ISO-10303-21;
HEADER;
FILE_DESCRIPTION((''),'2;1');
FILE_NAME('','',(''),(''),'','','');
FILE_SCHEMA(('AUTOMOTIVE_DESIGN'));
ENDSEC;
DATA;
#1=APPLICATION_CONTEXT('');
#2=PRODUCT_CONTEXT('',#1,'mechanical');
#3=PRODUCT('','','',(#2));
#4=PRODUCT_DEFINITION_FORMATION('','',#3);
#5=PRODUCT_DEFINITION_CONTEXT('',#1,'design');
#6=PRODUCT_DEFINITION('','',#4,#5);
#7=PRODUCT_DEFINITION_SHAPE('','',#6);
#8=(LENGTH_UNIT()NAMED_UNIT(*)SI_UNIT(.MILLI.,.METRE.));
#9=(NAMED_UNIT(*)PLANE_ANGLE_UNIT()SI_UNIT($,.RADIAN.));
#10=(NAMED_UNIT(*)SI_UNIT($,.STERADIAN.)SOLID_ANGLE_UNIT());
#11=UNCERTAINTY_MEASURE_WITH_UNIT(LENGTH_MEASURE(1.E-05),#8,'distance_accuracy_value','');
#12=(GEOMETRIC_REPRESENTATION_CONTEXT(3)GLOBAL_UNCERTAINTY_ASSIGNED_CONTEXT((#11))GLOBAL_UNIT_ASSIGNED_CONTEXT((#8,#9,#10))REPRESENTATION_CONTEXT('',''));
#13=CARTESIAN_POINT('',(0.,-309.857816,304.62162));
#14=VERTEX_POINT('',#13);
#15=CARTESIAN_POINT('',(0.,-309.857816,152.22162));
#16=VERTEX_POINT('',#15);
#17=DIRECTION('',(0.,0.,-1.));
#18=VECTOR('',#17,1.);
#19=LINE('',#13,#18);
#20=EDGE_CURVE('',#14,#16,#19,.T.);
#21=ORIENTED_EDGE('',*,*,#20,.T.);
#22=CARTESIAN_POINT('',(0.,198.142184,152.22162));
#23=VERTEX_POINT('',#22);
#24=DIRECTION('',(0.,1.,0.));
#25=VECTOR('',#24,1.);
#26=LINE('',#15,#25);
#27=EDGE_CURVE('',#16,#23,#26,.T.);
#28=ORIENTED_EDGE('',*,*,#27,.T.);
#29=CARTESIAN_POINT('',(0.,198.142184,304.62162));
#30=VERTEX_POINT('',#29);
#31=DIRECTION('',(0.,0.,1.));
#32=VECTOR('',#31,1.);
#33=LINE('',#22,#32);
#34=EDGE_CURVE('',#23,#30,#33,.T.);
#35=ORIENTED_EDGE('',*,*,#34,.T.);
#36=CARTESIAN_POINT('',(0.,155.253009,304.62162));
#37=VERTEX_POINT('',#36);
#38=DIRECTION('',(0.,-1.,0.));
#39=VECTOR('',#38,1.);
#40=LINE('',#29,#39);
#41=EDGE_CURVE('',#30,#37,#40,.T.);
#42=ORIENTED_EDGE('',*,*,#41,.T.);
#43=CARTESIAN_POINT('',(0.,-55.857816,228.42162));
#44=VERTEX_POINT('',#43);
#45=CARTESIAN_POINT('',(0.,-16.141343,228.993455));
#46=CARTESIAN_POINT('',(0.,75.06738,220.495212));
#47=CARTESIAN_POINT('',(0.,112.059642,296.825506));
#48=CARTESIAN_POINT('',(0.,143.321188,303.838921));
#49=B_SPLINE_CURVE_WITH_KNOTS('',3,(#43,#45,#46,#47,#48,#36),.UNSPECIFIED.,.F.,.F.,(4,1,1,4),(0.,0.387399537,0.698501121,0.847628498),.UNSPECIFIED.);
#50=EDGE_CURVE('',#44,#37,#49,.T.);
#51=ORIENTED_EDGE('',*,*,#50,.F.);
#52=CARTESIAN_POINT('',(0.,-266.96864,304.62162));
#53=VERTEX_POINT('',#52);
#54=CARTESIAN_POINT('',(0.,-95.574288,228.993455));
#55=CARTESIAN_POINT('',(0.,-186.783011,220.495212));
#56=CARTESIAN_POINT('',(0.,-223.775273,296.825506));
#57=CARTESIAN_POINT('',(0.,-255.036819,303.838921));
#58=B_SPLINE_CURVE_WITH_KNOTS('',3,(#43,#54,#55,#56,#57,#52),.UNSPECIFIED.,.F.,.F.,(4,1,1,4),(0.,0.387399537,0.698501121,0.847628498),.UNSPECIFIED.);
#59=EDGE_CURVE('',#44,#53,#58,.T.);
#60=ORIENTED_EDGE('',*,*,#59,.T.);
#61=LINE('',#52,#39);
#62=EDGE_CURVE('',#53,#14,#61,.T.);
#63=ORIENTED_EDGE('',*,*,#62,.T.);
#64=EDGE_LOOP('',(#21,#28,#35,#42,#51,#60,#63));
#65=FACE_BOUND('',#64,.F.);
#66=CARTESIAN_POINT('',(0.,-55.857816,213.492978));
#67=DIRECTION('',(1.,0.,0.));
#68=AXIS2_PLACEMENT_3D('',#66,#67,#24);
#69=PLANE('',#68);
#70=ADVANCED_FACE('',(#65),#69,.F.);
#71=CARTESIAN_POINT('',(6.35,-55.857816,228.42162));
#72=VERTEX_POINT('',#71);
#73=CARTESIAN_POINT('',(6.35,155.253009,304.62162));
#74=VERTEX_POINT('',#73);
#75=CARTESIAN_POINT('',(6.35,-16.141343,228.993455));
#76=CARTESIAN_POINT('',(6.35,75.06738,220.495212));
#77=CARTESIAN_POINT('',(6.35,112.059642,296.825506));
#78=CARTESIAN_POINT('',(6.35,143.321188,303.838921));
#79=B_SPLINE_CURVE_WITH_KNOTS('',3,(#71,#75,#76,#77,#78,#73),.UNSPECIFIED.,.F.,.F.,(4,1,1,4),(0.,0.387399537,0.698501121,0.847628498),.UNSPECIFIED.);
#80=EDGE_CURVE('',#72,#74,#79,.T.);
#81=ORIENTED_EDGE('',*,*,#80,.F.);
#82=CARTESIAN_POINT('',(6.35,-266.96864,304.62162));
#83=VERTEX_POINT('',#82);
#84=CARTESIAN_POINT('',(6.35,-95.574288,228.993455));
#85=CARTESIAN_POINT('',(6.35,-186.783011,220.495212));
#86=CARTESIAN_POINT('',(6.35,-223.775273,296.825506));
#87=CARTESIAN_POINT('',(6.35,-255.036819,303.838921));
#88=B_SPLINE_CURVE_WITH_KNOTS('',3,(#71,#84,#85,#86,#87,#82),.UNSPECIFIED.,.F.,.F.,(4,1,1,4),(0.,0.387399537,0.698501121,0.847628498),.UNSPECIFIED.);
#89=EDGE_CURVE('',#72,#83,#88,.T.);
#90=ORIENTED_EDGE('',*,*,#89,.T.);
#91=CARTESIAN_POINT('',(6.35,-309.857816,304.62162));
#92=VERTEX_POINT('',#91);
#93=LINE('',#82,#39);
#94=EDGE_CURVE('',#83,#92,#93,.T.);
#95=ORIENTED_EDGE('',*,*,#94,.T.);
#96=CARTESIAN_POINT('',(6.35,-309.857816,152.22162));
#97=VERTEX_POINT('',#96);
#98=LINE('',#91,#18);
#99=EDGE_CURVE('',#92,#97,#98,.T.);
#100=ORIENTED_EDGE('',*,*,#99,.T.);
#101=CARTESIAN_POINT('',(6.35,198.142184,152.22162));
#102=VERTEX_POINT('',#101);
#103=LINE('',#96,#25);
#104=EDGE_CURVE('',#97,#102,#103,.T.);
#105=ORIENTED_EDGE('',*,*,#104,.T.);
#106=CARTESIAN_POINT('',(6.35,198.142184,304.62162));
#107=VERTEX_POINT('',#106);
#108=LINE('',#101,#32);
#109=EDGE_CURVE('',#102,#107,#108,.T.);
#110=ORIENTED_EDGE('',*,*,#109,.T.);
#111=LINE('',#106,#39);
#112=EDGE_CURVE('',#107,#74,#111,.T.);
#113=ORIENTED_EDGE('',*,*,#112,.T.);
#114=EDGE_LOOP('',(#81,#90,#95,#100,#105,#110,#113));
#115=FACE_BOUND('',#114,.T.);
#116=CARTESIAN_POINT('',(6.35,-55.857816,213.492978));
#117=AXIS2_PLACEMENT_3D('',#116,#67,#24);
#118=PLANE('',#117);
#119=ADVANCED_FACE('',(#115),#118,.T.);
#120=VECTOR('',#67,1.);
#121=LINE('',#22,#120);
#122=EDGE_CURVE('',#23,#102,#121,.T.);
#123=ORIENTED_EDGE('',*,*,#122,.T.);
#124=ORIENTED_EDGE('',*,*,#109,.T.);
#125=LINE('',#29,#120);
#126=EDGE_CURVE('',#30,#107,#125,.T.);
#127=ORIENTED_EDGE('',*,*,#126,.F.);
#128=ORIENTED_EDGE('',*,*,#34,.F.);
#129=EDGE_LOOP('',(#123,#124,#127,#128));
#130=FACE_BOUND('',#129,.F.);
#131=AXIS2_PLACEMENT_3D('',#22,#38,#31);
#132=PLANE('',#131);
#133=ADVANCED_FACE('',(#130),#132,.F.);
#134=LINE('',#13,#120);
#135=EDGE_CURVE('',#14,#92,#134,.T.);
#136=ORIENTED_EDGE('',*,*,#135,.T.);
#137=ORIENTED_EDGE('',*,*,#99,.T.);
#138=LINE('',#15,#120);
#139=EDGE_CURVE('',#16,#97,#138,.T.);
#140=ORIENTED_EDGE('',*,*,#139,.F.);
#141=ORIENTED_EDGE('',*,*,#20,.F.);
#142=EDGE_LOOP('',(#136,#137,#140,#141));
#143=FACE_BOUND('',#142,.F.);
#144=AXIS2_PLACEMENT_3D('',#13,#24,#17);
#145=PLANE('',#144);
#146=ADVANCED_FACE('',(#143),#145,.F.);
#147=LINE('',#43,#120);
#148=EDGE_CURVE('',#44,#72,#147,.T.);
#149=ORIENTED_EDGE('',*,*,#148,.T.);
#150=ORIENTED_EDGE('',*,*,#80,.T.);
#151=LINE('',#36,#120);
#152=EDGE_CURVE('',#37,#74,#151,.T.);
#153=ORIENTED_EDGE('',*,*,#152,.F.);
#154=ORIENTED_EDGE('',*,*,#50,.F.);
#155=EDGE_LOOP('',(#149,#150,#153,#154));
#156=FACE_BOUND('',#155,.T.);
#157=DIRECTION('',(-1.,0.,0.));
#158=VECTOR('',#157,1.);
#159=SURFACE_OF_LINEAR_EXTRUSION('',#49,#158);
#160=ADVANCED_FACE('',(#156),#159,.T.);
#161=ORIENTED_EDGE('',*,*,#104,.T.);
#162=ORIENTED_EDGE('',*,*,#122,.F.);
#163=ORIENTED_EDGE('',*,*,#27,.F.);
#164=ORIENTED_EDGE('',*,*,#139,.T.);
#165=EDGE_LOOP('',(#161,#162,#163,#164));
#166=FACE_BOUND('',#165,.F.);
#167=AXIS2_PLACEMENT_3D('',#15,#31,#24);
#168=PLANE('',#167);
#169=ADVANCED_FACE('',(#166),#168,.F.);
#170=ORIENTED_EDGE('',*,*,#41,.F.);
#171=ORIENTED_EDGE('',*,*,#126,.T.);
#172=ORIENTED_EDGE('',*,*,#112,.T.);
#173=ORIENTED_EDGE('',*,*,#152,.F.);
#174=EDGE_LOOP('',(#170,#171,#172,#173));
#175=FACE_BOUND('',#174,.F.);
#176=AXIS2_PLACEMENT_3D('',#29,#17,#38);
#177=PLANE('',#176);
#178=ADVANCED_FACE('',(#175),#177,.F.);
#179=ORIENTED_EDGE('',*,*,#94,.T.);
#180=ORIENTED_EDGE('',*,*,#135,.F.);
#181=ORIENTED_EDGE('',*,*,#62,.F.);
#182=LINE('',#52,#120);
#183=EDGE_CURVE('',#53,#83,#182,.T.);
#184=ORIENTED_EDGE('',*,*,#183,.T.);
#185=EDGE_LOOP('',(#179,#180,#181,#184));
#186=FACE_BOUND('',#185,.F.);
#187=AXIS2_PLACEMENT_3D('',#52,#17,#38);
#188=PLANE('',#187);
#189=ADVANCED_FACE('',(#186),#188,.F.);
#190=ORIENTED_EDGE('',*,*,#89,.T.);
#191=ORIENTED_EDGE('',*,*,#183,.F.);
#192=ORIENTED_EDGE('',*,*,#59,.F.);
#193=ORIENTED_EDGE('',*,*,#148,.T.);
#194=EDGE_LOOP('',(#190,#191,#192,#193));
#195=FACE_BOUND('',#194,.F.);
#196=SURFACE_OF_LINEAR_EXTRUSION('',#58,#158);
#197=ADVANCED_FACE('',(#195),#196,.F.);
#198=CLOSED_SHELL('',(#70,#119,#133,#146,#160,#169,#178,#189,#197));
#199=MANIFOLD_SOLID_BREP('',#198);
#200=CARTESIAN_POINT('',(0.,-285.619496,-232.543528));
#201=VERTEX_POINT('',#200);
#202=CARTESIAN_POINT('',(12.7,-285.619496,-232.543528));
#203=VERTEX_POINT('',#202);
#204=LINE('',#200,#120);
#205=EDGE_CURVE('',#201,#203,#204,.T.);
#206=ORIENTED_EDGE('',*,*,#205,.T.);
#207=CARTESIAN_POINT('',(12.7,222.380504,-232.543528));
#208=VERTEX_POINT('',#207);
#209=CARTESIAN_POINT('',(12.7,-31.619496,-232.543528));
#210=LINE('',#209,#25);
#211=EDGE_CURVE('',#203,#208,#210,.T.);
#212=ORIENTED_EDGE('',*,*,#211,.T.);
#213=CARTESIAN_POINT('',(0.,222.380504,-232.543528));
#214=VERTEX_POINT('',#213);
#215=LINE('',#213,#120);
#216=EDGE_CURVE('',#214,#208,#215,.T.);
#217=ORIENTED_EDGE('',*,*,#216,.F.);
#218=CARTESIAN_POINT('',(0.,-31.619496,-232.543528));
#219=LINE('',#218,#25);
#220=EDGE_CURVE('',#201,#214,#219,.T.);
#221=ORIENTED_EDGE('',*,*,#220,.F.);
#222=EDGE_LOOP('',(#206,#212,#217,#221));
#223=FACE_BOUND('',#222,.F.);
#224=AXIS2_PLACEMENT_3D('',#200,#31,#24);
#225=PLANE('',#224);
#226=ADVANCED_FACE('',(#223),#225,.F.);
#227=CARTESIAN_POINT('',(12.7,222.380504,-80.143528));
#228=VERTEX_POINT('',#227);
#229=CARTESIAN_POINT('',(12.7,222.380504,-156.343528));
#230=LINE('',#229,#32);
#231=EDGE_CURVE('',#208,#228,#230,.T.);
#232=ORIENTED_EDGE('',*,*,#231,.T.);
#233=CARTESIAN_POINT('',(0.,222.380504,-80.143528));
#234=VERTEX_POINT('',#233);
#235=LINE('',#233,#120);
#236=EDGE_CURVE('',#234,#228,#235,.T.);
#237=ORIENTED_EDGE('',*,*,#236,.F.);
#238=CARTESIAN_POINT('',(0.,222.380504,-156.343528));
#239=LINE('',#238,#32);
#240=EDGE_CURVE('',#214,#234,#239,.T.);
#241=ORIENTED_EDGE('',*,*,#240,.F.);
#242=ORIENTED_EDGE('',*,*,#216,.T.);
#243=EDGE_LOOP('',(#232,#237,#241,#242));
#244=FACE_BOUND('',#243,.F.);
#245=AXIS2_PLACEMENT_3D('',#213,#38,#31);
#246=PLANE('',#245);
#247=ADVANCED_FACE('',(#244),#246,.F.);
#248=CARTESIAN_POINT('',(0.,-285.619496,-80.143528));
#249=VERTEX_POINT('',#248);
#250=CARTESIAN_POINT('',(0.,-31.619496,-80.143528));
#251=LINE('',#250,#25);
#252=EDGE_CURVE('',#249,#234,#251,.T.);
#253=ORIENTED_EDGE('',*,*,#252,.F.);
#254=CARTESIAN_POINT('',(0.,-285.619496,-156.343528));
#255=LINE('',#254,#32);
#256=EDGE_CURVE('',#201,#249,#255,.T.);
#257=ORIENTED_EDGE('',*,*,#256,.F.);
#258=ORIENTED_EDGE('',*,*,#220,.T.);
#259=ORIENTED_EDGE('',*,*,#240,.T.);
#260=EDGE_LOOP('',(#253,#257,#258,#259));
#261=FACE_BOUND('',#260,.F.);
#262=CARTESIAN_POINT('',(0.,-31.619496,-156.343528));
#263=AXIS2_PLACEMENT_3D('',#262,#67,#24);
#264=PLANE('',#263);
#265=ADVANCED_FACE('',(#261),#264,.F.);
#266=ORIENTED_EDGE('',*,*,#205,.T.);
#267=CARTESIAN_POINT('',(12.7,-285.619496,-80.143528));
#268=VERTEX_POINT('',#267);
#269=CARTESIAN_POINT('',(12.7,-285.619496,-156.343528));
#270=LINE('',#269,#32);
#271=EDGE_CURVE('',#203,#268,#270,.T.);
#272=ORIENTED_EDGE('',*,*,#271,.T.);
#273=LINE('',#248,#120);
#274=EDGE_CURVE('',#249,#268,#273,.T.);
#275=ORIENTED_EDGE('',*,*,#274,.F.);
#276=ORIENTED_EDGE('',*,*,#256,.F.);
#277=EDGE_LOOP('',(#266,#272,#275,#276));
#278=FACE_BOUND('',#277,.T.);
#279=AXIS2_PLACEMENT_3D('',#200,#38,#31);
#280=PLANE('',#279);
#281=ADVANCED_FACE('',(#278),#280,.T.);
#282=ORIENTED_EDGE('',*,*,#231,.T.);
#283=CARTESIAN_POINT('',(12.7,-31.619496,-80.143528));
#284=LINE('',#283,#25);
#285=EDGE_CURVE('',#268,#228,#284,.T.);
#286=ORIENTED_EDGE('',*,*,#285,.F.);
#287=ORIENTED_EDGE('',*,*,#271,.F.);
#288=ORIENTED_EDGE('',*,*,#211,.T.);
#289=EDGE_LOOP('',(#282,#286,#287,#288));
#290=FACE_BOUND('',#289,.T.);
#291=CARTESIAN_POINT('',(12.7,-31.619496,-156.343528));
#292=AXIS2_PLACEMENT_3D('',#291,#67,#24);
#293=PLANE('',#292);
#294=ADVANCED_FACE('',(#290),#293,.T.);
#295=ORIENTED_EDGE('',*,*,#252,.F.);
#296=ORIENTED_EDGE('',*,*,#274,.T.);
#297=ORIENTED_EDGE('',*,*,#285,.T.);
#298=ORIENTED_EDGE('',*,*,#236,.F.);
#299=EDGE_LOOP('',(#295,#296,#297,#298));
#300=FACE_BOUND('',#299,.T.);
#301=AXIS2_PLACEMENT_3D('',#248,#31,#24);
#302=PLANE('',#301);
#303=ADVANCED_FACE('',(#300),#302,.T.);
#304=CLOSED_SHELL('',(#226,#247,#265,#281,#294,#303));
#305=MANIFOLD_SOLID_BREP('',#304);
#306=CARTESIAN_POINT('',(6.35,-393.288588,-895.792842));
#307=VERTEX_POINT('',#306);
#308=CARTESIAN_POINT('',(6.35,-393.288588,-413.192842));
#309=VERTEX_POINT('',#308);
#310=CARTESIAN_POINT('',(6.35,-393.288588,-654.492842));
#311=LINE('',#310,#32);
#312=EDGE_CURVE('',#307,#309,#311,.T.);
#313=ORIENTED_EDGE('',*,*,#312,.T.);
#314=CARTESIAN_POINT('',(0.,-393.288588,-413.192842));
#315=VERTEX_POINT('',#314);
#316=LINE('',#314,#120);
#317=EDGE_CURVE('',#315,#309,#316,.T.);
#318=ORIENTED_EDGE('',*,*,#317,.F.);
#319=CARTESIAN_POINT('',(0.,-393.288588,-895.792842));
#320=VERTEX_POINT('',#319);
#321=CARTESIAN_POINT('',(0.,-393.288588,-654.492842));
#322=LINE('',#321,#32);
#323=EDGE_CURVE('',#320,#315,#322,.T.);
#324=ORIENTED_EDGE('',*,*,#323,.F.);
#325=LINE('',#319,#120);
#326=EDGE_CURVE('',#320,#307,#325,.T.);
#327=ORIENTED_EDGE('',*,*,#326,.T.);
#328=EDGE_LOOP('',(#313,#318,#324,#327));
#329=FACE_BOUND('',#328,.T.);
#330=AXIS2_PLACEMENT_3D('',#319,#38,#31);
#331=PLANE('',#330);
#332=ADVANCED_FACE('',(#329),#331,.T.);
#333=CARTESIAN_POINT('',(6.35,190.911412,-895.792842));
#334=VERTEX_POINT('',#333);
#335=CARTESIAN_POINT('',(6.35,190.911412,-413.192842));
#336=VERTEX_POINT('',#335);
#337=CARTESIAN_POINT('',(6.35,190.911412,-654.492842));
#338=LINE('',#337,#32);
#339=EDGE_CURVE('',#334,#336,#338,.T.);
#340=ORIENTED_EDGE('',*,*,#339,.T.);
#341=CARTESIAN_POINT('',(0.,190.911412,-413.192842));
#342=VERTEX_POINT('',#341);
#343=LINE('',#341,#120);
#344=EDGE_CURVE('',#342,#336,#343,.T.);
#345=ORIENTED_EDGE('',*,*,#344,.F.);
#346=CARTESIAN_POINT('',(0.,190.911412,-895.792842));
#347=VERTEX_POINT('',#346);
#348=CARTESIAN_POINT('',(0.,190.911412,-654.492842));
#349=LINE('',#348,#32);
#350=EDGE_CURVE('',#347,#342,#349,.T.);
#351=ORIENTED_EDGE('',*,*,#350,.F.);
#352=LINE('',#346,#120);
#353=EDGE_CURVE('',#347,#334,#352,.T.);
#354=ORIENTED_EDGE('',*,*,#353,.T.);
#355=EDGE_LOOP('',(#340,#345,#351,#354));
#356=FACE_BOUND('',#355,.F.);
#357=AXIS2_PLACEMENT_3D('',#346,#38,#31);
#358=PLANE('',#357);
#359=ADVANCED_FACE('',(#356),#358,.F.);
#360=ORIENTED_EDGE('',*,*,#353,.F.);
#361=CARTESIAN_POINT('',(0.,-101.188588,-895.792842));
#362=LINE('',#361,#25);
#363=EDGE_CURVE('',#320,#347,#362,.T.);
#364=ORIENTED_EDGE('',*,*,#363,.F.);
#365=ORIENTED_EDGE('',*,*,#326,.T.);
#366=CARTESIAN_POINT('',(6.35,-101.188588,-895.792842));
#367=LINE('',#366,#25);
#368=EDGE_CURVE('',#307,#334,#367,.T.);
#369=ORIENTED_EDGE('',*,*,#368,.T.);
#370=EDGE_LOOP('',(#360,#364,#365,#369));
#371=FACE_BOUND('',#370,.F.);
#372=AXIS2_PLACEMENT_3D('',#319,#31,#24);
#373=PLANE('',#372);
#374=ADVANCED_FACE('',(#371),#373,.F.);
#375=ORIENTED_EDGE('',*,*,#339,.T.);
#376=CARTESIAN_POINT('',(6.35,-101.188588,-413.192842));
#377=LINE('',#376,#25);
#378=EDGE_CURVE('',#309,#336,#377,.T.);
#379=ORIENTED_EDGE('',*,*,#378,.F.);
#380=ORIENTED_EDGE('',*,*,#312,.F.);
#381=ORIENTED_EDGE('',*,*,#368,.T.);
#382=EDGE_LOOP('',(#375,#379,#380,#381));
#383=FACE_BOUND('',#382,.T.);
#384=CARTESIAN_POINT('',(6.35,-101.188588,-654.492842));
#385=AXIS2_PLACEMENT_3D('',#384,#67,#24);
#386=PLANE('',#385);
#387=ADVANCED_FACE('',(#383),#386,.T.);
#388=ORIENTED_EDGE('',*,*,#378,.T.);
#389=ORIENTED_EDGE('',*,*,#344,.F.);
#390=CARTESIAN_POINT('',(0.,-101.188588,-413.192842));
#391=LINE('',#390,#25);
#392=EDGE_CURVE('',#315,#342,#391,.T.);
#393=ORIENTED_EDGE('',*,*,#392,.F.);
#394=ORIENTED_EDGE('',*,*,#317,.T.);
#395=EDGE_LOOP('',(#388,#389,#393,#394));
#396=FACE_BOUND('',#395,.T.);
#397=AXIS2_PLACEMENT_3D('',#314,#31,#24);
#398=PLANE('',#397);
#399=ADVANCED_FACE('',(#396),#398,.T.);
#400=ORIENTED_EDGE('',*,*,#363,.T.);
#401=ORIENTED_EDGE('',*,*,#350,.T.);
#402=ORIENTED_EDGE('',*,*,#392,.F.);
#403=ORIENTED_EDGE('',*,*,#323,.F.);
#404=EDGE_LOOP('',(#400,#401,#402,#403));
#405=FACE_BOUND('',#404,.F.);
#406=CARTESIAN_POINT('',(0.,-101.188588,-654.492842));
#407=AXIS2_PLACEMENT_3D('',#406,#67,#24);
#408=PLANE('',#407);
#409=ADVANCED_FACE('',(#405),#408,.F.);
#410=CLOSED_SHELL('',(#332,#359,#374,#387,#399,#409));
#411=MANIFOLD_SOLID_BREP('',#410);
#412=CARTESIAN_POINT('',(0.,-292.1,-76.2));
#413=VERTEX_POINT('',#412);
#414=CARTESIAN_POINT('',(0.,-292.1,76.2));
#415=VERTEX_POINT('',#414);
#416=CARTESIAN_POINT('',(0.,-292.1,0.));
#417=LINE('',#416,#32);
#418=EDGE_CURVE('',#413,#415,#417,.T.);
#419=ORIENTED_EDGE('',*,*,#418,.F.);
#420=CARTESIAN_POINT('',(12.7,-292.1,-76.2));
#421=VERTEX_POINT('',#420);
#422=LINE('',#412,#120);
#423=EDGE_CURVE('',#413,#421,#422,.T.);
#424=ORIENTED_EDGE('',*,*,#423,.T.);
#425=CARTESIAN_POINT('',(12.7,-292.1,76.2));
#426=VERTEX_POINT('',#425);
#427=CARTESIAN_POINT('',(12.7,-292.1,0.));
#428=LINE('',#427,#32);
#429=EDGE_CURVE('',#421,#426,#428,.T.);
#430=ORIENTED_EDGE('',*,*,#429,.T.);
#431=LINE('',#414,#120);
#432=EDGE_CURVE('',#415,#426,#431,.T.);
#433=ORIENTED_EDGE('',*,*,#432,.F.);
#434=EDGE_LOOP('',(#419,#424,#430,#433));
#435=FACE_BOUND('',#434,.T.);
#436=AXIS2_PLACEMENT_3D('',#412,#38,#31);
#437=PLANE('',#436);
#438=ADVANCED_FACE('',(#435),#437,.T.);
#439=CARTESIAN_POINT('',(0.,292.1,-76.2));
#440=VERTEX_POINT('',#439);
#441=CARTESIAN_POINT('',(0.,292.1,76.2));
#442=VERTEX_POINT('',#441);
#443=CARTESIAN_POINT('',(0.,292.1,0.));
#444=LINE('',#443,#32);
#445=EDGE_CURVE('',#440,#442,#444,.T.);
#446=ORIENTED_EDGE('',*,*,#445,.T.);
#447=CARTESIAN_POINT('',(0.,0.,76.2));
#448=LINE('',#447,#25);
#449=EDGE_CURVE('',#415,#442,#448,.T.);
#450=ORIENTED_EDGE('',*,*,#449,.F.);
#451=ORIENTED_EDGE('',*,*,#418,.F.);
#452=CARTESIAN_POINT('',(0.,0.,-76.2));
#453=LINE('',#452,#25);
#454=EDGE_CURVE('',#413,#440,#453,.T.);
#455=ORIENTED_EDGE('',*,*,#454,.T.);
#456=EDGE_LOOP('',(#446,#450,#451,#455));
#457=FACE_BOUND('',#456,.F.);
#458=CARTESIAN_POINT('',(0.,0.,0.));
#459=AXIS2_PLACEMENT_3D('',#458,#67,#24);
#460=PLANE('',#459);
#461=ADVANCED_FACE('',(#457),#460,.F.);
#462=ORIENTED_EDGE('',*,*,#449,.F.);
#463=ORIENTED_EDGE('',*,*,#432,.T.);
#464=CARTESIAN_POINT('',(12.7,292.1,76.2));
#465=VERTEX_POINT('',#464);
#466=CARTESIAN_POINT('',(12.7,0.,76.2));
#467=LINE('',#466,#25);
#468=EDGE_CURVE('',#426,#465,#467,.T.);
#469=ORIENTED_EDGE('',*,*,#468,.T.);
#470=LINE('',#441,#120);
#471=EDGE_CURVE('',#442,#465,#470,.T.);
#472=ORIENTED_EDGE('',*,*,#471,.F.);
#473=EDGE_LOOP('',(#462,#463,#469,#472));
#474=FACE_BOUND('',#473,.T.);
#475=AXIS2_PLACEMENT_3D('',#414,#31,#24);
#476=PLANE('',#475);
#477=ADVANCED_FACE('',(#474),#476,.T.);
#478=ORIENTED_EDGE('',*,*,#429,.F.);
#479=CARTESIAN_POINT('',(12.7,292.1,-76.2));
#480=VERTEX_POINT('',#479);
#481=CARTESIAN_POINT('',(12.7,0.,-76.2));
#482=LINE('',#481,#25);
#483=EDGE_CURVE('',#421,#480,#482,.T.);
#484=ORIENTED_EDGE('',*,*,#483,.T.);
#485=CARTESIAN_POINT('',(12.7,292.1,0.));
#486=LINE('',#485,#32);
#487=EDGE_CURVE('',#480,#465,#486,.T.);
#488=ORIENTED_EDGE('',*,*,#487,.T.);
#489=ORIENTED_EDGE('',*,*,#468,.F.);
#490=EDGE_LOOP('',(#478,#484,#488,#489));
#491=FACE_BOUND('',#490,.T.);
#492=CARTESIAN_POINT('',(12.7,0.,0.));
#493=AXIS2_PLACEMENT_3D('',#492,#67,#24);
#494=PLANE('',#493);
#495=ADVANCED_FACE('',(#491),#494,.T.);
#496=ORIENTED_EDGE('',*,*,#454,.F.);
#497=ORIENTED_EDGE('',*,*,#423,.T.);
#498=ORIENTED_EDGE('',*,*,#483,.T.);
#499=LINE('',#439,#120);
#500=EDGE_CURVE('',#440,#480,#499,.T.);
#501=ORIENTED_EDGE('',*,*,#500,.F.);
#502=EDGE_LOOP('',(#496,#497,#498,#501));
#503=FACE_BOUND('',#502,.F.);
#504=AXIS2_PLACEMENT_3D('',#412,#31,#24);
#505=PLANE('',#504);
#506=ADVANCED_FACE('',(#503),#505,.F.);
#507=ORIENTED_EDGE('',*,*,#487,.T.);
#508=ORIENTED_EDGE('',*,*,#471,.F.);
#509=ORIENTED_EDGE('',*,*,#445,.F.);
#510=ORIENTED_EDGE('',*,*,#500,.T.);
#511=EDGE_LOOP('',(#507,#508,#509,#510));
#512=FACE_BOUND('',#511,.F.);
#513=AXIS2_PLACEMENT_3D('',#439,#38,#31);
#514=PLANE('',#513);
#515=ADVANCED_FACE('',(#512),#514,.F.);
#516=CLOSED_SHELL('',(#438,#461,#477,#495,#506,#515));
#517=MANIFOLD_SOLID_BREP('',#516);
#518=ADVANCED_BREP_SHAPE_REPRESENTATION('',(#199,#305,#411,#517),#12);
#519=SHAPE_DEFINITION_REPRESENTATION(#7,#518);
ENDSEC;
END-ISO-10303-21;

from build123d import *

# Parameters (mm, degrees)
F0_W     = 584.2
F0_H     = 152.4
F1_DEPTH = 12.7
F2_W     = 508
F2_H     = 152.4
F3_DEPTH = 12.7
F4_W     = 584.2
F4_H     = 482.6
F5_DEPTH = 6.35
F7_DEPTH = 6.35


with BuildPart() as f1:
    # F0 (on Right) → F1 (new body)
    with BuildSketch(Plane.YZ):
        Rectangle(F0_W, F0_H)
    extrude(amount=F1_DEPTH)


with BuildPart() as f3:
    # F2 (on Right) → F3 (new body)
    with BuildSketch(Plane.YZ):
        with Locations((-31.6194959879, -156.34352808)):
            Rectangle(F2_W, F2_H)
    extrude(amount=F3_DEPTH)


with BuildPart() as f5:
    # F4 (on Right) → F5 (new body)
    with BuildSketch(Plane.YZ):
        with Locations((-101.1885877609, -654.4928419113)):
            Rectangle(F4_W, F4_H)
    extrude(amount=F5_DEPTH)


with BuildPart() as f7:
    # F6 (on Right) → F7 (new body)
    with BuildSketch(Plane.YZ):
        with BuildLine():
            Line((-309.8578155041, 304.6216200829), (-309.8578155041, 152.2216200829))
            Line((-309.8578155041, 152.2216200829), (198.1421844959, 152.2216200829))
            Line((198.1421844959, 152.2216200829), (198.1421844959, 304.6216200829))
            Line((198.1421844959, 304.6216200829), (155.2530093381, 304.6216200829))
            add(Edge.make_bspline(
                [(-55.8578155041, 228.4216200829), (-16.1413426703, 228.9934551226), (75.0673796799, 220.49521215), (112.0596419763, 296.8255057536), (143.3211881258, 303.8389214173), (155.2530093381, 304.6216200829)],
                knots=[0, 0, 0, 0, 0.3873995373, 0.6985011211, 0.8476284984, 0.8476284984, 0.8476284984, 0.8476284984], degree=3))
            add(Edge.make_bspline(
                [(-55.8578155041, 228.4216200829), (-95.5742883379, 228.9934551226), (-186.783010688, 220.49521215), (-223.7752729844, 296.8255057536), (-255.0368191339, 303.8389214173), (-266.9686403462, 304.6216200829)],
                knots=[0, 0, 0, 0, 0.3873995373, 0.6985011211, 0.8476284984, 0.8476284984, 0.8476284984, 0.8476284984], degree=3))
            Line((-266.9686403462, 304.6216200829), (-309.8578155041, 304.6216200829))
        make_face()
    extrude(amount=F7_DEPTH)


solid = Compound([f1.part, f3.part, f5.part, f7.part])
